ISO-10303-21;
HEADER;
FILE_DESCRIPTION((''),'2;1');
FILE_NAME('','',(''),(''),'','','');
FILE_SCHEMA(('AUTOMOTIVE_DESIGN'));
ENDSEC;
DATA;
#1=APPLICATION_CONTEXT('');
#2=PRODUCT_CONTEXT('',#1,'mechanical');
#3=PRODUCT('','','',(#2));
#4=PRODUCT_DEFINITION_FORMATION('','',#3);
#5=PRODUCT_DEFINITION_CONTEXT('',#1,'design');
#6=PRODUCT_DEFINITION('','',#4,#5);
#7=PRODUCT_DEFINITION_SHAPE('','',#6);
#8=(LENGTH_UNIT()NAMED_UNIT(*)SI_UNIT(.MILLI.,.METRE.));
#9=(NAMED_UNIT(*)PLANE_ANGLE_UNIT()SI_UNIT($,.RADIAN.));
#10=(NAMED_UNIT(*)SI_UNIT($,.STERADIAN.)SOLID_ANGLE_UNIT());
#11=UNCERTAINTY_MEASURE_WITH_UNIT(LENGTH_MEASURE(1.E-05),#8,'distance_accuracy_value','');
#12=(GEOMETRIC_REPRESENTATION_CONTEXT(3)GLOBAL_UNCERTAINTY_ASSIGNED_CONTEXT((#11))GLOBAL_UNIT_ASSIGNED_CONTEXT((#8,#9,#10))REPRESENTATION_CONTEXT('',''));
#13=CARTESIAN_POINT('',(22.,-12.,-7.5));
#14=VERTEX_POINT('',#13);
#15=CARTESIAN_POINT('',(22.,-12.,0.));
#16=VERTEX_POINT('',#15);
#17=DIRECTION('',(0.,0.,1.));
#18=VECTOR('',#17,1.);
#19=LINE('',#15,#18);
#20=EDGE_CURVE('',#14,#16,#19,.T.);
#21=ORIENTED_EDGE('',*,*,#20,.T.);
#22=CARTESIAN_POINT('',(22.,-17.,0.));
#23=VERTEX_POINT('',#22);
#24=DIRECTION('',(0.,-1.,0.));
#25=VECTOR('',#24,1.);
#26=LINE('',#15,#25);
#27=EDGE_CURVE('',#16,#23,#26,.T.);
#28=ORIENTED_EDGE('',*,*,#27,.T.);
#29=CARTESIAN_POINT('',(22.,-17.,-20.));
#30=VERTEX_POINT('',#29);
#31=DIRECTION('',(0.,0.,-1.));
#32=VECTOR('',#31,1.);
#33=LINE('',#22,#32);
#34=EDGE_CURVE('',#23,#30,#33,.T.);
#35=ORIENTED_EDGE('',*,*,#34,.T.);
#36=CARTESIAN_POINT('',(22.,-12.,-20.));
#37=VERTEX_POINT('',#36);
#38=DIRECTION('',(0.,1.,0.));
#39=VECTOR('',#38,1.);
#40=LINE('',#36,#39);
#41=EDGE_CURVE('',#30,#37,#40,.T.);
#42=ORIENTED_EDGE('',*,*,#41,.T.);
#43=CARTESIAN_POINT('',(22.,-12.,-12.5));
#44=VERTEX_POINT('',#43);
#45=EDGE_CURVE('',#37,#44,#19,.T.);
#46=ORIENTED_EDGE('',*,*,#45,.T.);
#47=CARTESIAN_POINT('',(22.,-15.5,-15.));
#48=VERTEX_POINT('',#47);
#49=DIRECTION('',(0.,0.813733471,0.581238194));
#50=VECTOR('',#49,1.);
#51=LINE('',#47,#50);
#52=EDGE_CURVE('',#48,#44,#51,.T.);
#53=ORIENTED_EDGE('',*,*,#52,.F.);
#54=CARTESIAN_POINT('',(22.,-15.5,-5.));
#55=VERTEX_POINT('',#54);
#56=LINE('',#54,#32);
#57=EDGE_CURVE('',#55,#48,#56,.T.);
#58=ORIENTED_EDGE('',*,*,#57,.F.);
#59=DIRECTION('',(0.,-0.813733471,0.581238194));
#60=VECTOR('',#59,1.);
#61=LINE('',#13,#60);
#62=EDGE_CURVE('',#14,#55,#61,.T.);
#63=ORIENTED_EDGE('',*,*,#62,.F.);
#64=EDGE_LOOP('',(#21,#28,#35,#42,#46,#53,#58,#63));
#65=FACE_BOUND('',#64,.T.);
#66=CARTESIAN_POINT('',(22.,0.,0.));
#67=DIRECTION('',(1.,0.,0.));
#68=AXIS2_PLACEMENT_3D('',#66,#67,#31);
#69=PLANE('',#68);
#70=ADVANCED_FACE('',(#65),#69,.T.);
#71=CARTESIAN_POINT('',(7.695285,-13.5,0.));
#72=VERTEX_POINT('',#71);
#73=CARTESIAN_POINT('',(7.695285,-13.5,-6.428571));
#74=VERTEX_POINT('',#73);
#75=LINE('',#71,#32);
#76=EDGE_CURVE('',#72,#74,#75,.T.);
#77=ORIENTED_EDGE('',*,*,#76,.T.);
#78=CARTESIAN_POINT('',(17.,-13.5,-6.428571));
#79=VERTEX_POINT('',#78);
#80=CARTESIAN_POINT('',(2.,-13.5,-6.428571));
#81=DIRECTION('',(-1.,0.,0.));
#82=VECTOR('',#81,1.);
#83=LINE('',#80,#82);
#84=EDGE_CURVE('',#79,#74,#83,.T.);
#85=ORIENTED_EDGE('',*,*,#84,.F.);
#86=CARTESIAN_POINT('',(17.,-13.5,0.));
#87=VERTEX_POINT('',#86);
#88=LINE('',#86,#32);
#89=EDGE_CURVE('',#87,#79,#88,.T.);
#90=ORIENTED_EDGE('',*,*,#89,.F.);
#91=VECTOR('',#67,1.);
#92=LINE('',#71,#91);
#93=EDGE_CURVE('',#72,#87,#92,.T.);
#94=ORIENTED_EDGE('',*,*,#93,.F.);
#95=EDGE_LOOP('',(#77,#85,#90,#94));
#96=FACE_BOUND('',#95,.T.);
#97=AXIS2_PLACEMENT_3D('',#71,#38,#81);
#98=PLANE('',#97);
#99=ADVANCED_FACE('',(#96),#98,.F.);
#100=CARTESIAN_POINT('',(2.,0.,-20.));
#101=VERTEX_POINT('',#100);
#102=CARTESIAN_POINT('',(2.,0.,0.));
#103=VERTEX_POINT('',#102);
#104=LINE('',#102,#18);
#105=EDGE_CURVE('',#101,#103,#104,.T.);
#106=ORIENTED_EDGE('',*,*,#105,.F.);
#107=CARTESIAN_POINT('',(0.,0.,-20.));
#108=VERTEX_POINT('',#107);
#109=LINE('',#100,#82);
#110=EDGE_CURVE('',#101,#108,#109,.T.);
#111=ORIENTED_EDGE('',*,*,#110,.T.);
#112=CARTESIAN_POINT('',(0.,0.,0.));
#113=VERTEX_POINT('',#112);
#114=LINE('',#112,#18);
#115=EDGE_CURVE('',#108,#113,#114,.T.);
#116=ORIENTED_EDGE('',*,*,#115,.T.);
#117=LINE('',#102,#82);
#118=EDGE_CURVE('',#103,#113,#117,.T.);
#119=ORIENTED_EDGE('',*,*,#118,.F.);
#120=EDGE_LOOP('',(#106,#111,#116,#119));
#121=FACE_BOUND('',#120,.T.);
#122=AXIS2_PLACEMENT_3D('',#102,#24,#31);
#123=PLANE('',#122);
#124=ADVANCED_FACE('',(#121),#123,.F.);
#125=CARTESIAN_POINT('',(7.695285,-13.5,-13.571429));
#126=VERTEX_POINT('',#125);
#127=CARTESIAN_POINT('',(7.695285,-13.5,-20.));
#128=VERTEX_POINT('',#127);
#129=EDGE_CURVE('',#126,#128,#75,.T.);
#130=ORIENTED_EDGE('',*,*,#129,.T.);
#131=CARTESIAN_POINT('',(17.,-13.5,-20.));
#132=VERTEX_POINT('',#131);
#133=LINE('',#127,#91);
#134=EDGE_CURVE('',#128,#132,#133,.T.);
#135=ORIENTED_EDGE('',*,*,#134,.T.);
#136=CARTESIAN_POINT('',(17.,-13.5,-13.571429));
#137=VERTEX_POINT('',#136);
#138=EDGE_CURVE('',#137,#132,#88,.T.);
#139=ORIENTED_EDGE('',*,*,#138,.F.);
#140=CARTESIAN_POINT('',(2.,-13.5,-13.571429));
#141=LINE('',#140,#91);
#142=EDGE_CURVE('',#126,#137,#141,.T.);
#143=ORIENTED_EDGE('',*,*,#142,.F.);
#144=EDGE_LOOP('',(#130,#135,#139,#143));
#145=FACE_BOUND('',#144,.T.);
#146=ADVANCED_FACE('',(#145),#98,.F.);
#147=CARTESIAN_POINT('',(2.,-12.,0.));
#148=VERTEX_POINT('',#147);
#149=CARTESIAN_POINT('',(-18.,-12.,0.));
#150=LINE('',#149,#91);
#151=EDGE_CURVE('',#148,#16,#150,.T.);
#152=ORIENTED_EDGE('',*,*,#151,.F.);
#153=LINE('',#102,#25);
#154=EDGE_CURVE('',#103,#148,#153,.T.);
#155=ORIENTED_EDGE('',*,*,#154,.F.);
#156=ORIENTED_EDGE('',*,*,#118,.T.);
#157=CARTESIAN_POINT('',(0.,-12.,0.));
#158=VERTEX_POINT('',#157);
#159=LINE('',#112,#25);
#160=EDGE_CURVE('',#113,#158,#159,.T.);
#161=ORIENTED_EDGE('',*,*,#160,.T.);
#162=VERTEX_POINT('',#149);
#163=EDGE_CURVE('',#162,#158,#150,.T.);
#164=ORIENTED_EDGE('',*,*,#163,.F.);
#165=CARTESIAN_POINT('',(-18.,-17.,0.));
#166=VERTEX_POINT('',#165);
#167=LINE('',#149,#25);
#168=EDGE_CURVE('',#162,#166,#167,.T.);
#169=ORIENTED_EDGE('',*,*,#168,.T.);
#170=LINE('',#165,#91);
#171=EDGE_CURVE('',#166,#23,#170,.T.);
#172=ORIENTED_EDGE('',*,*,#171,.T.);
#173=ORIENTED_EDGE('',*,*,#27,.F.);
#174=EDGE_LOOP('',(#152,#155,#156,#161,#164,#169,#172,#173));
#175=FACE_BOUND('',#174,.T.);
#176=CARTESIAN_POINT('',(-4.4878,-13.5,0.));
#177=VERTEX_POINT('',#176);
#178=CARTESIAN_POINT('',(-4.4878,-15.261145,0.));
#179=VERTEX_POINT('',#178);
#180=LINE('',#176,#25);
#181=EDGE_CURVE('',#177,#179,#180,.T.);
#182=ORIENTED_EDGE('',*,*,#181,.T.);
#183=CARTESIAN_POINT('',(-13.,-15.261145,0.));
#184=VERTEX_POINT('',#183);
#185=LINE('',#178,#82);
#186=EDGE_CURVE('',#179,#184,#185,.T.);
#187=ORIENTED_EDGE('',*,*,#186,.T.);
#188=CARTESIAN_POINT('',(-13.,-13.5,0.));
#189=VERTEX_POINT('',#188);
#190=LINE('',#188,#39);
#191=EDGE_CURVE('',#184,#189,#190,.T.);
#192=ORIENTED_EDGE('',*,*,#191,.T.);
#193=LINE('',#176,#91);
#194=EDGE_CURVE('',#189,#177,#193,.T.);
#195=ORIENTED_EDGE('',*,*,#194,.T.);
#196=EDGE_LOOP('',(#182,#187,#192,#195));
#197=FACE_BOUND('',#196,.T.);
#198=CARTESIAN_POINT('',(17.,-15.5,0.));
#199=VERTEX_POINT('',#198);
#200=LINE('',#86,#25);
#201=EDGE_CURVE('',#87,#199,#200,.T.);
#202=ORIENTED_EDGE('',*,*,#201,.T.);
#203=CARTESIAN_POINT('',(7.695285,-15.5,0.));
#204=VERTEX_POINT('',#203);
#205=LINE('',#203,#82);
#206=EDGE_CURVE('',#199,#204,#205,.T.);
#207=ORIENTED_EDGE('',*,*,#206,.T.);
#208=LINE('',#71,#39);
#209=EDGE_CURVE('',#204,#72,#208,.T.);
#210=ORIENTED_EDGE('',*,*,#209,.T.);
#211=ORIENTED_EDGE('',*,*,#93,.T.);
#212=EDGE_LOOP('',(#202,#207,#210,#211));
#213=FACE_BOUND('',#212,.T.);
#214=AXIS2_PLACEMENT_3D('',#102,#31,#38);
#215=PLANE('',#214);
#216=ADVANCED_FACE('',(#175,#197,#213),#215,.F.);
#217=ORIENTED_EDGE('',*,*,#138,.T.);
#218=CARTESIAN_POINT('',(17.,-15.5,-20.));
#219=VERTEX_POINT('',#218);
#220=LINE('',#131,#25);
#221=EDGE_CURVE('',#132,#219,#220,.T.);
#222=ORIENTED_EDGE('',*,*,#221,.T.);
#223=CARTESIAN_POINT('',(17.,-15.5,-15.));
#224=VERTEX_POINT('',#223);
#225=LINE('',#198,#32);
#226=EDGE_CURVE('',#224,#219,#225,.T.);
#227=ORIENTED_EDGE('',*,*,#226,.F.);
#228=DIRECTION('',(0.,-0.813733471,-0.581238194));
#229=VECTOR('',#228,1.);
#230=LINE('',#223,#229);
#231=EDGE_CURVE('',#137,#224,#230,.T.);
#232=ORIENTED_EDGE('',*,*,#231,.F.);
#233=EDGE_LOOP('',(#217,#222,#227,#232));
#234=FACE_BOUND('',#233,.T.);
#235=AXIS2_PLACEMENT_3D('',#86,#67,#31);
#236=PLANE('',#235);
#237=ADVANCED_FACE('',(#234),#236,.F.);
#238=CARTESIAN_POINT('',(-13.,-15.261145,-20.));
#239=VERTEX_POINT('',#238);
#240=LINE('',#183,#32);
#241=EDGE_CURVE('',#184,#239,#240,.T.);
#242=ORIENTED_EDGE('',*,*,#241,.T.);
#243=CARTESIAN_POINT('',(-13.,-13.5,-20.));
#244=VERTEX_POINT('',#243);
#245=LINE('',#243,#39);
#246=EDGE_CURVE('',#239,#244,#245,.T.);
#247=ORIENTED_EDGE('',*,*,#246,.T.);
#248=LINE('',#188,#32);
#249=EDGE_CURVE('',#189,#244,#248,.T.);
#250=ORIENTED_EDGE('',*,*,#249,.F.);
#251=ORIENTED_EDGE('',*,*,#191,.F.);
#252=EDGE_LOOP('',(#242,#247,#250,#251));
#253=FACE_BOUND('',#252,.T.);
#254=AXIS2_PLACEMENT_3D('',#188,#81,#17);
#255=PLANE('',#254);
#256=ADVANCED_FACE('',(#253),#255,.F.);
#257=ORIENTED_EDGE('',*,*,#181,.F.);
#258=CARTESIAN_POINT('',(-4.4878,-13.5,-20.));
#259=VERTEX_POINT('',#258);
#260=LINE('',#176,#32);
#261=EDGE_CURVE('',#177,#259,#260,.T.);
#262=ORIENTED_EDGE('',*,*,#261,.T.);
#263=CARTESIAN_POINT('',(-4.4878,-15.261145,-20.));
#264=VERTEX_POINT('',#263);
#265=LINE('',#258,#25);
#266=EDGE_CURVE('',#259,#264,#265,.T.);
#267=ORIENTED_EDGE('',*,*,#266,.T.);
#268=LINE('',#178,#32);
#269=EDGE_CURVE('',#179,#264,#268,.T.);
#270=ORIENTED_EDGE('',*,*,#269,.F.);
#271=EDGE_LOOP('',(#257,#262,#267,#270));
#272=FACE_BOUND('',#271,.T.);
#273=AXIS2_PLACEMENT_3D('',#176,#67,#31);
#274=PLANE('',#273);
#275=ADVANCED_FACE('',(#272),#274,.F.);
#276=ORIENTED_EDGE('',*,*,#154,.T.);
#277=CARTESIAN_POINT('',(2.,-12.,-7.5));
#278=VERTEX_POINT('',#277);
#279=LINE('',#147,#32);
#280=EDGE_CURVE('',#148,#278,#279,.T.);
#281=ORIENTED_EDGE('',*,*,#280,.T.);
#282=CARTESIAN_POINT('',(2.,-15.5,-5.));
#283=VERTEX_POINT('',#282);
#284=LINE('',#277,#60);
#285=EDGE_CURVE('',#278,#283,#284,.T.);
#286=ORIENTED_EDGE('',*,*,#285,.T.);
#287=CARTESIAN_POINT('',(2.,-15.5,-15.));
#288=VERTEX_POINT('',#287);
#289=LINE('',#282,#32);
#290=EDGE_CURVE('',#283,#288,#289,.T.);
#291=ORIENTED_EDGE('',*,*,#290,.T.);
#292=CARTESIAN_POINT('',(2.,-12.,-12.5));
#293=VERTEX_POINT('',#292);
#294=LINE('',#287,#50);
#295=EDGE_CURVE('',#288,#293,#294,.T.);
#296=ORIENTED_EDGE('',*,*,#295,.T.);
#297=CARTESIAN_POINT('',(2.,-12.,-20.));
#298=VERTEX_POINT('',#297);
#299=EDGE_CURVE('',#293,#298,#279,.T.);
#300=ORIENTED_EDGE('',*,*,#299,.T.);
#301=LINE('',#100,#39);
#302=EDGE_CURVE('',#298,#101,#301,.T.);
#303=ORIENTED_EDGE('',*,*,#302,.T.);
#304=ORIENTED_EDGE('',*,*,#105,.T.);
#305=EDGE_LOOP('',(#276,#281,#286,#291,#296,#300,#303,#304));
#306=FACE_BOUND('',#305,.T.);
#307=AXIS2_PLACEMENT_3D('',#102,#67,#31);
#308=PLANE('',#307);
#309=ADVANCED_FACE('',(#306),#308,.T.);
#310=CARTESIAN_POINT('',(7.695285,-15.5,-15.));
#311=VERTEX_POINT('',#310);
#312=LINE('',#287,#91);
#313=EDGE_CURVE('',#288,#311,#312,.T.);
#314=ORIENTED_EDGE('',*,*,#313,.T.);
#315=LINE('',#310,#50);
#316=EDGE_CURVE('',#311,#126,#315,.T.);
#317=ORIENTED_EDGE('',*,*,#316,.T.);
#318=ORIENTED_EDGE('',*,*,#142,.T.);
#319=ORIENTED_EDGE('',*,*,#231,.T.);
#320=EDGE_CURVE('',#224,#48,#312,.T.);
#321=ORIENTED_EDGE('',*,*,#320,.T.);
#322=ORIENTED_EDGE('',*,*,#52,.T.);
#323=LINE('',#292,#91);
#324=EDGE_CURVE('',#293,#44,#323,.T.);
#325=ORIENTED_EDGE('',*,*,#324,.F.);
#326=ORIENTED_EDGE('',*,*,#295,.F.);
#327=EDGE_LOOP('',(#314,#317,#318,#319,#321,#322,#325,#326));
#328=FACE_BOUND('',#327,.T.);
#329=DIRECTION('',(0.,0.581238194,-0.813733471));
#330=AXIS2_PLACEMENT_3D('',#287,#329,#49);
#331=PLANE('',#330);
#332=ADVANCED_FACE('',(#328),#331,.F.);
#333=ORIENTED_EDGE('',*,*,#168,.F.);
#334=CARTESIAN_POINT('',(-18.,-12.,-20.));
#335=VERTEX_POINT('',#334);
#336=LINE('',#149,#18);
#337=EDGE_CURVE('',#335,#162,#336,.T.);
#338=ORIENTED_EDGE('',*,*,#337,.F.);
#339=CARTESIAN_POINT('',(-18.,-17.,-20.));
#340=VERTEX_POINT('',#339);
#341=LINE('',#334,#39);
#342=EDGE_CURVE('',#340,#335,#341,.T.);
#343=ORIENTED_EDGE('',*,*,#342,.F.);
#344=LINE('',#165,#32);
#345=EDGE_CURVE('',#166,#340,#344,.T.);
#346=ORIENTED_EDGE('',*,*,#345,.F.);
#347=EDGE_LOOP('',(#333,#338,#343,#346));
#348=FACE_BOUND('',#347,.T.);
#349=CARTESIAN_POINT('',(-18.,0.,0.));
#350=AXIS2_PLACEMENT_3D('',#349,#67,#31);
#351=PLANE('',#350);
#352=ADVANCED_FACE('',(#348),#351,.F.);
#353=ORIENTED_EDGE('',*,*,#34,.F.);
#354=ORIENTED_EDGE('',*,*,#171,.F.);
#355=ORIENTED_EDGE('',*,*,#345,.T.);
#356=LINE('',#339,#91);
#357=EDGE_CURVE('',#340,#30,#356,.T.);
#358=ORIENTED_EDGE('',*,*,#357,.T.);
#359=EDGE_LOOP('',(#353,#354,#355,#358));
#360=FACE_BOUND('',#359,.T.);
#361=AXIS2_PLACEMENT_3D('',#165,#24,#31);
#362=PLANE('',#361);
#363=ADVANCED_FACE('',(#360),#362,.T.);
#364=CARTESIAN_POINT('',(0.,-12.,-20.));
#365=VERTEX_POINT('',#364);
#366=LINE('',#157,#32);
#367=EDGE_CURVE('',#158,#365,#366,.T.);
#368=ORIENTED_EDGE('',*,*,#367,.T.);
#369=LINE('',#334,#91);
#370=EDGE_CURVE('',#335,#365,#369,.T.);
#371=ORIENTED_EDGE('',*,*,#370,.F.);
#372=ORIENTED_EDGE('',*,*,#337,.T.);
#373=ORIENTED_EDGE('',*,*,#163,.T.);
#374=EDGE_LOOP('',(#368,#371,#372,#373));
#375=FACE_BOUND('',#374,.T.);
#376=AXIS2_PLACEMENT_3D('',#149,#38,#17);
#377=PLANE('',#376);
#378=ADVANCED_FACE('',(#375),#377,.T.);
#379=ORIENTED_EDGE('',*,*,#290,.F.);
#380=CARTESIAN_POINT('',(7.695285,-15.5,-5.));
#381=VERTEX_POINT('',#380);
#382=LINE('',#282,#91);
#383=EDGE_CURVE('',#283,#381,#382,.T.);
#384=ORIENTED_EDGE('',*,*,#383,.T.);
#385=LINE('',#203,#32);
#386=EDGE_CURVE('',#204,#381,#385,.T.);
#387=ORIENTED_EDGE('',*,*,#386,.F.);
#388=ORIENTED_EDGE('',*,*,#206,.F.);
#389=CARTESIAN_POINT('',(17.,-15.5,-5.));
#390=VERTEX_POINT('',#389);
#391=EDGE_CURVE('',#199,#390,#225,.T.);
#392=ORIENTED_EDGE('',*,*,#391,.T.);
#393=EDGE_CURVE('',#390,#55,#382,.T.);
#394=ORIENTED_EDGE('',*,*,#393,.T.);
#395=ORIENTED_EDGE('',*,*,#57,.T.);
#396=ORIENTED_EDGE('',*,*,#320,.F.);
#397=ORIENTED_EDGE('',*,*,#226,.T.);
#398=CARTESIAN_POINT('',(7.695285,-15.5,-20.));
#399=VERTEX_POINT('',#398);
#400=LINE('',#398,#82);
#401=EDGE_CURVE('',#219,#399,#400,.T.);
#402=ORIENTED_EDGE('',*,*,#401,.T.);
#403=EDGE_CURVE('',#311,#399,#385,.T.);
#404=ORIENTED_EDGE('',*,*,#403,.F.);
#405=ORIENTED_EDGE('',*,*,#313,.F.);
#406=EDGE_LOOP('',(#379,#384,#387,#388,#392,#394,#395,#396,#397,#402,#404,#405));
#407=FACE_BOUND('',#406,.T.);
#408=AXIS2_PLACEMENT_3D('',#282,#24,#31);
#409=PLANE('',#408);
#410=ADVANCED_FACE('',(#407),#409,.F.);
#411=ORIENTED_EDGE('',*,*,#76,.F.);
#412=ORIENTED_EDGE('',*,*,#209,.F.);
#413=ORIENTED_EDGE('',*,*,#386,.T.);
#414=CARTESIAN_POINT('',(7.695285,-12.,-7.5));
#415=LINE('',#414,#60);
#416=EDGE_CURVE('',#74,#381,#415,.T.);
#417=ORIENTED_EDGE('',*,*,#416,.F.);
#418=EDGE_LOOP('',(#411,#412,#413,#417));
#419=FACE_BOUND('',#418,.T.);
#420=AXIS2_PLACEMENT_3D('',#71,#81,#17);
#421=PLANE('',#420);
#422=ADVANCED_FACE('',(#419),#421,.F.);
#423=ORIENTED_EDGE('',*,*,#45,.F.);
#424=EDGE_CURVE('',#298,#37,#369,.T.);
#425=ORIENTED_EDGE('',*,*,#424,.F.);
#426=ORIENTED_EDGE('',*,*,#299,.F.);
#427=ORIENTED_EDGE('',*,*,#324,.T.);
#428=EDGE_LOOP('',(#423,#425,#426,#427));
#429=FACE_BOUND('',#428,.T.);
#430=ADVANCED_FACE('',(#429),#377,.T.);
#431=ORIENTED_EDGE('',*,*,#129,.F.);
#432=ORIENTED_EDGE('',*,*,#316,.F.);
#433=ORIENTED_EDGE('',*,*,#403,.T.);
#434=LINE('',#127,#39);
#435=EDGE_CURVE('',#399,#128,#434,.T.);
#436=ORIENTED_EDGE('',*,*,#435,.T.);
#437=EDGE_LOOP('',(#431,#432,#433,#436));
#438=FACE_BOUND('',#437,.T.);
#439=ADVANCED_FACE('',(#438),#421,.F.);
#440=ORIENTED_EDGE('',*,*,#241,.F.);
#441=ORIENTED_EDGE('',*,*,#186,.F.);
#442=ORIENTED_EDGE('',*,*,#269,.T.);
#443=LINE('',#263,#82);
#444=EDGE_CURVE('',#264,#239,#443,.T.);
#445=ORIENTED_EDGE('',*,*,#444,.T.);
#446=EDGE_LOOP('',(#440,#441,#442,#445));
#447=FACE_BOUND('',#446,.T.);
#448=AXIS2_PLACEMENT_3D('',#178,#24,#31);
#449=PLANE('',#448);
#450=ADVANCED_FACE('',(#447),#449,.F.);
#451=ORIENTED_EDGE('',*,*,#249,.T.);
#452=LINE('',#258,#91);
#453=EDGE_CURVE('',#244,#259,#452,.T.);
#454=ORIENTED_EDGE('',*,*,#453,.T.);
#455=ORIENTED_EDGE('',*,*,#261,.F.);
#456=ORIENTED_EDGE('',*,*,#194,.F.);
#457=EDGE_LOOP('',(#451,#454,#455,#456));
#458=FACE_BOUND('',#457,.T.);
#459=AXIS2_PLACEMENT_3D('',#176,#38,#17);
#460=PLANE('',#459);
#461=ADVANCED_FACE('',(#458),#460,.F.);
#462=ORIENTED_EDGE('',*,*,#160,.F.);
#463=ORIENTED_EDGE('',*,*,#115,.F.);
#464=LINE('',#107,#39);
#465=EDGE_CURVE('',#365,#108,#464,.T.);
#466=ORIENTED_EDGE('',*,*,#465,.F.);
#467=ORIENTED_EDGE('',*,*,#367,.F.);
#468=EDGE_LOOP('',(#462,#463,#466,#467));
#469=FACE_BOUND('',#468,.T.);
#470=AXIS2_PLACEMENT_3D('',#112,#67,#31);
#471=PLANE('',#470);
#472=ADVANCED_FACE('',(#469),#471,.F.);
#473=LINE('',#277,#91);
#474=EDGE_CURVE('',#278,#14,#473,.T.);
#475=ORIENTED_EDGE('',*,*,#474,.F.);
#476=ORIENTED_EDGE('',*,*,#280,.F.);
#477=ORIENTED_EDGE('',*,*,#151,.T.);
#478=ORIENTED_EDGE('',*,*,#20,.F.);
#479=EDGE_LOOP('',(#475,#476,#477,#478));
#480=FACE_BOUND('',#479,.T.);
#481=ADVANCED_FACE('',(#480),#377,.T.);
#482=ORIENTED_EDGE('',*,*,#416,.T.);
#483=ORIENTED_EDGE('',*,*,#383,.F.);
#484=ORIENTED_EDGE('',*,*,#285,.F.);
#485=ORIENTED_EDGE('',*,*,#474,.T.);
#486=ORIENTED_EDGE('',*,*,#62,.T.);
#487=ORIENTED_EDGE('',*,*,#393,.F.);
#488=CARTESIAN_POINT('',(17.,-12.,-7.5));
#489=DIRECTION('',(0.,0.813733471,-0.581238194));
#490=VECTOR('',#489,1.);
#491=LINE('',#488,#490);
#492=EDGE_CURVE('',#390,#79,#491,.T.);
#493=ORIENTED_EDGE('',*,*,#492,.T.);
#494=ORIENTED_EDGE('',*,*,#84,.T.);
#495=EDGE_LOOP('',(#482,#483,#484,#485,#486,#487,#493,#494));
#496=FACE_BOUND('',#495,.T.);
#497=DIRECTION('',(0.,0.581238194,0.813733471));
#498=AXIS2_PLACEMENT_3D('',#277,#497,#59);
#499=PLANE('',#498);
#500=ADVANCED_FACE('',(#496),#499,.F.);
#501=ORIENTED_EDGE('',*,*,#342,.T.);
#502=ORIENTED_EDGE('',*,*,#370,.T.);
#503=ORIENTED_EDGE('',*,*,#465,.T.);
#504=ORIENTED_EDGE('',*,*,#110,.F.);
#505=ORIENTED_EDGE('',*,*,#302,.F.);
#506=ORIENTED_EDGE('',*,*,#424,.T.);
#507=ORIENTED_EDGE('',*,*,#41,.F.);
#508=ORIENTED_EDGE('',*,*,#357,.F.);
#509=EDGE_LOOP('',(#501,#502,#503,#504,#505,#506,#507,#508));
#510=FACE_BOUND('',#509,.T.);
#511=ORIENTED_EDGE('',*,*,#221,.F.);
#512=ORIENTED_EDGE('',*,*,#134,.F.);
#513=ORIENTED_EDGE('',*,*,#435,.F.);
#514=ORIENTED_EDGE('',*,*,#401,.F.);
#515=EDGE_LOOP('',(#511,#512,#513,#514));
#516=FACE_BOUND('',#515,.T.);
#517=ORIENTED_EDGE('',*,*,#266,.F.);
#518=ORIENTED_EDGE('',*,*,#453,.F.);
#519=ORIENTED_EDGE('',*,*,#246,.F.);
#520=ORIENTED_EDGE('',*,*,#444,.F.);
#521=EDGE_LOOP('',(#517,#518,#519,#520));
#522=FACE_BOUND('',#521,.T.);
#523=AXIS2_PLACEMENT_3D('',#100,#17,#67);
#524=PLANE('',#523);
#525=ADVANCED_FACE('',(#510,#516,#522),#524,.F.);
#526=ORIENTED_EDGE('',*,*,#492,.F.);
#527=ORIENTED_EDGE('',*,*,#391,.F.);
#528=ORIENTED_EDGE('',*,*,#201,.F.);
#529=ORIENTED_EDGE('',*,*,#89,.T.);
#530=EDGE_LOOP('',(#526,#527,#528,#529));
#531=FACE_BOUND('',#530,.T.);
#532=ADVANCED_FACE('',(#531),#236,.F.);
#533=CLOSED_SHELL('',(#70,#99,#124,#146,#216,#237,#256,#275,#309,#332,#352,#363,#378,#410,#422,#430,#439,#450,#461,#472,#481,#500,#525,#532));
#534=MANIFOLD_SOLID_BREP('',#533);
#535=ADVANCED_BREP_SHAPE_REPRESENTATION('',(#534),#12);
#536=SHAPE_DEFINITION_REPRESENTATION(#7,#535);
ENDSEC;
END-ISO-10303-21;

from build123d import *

# Parameters (mm, degrees)
SKETCH3_W                = 20
SKETCH3_H                = 12
BOSS_EXTRUDE3_DEPTH      = 2
BOSS_EXTRUDE5_DEPTH      = 20
BOSS_EXTRUDE5_DEPTH_BACK = 20
SKETCH4_W                = 20
SKETCH4_H                = 5
CUT_EXTRUDE1_DEPTH       = 20
SKETCH7_W                = 8.512199936
SKETCH7_H                = 1.761144814
SKETCH7_W_2              = 9.304715103
SKETCH7_H_2              = 2
CUT_EXTRUDE2_DEPTH       = 35.249087579


with BuildPart() as part:
    # Sketch3 → Boss-Extrude3 (new body)
    with BuildSketch(Plane(origin=(0, 0, 0), x_dir=(0, 0, -1), z_dir=(1, 0, 0))):
        with Locations((10, -6)):
            Rectangle(SKETCH3_W, SKETCH3_H)
    extrude(amount=BOSS_EXTRUDE3_DEPTH)

    # Sketch4 → Boss-Extrude5 (add, two sides: drawn at the far end of the back side and taken through both)
    with BuildSketch(Plane(origin=(2, 0, 0), x_dir=(0, 0, -1), z_dir=(1, 0, 0)).offset(-BOSS_EXTRUDE5_DEPTH_BACK)):
        with Locations((10, -14.5)):
            Rectangle(SKETCH4_W, SKETCH4_H)
    extrude(amount=BOSS_EXTRUDE5_DEPTH + BOSS_EXTRUDE5_DEPTH_BACK)

    # Sketch6 → Cut-Extrude1 (cut)
    with BuildSketch(Plane(origin=(22, 0, 0), x_dir=(0, 0, -1), z_dir=(1, 0, 0))):
        Polygon((7.5, -12), (12.5, -12), (15, -15.5), (5, -15.5), align=None)
    extrude(amount=-CUT_EXTRUDE1_DEPTH, mode=Mode.SUBTRACT)

    # Sketch7 → Cut-Extrude2 (cut, through all)
    with BuildSketch(Plane(origin=(0, 0, -20), x_dir=(-1, 0, 0), z_dir=(0, 0, -1))):
        with Locations((8.743900032, -14.380572407)):
            Rectangle(SKETCH7_W, SKETCH7_H)
        with Locations((-12.347642449, -14.5)):
            Rectangle(SKETCH7_W_2, SKETCH7_H_2)
    extrude(amount=-CUT_EXTRUDE2_DEPTH, mode=Mode.SUBTRACT)


solid = part.part
